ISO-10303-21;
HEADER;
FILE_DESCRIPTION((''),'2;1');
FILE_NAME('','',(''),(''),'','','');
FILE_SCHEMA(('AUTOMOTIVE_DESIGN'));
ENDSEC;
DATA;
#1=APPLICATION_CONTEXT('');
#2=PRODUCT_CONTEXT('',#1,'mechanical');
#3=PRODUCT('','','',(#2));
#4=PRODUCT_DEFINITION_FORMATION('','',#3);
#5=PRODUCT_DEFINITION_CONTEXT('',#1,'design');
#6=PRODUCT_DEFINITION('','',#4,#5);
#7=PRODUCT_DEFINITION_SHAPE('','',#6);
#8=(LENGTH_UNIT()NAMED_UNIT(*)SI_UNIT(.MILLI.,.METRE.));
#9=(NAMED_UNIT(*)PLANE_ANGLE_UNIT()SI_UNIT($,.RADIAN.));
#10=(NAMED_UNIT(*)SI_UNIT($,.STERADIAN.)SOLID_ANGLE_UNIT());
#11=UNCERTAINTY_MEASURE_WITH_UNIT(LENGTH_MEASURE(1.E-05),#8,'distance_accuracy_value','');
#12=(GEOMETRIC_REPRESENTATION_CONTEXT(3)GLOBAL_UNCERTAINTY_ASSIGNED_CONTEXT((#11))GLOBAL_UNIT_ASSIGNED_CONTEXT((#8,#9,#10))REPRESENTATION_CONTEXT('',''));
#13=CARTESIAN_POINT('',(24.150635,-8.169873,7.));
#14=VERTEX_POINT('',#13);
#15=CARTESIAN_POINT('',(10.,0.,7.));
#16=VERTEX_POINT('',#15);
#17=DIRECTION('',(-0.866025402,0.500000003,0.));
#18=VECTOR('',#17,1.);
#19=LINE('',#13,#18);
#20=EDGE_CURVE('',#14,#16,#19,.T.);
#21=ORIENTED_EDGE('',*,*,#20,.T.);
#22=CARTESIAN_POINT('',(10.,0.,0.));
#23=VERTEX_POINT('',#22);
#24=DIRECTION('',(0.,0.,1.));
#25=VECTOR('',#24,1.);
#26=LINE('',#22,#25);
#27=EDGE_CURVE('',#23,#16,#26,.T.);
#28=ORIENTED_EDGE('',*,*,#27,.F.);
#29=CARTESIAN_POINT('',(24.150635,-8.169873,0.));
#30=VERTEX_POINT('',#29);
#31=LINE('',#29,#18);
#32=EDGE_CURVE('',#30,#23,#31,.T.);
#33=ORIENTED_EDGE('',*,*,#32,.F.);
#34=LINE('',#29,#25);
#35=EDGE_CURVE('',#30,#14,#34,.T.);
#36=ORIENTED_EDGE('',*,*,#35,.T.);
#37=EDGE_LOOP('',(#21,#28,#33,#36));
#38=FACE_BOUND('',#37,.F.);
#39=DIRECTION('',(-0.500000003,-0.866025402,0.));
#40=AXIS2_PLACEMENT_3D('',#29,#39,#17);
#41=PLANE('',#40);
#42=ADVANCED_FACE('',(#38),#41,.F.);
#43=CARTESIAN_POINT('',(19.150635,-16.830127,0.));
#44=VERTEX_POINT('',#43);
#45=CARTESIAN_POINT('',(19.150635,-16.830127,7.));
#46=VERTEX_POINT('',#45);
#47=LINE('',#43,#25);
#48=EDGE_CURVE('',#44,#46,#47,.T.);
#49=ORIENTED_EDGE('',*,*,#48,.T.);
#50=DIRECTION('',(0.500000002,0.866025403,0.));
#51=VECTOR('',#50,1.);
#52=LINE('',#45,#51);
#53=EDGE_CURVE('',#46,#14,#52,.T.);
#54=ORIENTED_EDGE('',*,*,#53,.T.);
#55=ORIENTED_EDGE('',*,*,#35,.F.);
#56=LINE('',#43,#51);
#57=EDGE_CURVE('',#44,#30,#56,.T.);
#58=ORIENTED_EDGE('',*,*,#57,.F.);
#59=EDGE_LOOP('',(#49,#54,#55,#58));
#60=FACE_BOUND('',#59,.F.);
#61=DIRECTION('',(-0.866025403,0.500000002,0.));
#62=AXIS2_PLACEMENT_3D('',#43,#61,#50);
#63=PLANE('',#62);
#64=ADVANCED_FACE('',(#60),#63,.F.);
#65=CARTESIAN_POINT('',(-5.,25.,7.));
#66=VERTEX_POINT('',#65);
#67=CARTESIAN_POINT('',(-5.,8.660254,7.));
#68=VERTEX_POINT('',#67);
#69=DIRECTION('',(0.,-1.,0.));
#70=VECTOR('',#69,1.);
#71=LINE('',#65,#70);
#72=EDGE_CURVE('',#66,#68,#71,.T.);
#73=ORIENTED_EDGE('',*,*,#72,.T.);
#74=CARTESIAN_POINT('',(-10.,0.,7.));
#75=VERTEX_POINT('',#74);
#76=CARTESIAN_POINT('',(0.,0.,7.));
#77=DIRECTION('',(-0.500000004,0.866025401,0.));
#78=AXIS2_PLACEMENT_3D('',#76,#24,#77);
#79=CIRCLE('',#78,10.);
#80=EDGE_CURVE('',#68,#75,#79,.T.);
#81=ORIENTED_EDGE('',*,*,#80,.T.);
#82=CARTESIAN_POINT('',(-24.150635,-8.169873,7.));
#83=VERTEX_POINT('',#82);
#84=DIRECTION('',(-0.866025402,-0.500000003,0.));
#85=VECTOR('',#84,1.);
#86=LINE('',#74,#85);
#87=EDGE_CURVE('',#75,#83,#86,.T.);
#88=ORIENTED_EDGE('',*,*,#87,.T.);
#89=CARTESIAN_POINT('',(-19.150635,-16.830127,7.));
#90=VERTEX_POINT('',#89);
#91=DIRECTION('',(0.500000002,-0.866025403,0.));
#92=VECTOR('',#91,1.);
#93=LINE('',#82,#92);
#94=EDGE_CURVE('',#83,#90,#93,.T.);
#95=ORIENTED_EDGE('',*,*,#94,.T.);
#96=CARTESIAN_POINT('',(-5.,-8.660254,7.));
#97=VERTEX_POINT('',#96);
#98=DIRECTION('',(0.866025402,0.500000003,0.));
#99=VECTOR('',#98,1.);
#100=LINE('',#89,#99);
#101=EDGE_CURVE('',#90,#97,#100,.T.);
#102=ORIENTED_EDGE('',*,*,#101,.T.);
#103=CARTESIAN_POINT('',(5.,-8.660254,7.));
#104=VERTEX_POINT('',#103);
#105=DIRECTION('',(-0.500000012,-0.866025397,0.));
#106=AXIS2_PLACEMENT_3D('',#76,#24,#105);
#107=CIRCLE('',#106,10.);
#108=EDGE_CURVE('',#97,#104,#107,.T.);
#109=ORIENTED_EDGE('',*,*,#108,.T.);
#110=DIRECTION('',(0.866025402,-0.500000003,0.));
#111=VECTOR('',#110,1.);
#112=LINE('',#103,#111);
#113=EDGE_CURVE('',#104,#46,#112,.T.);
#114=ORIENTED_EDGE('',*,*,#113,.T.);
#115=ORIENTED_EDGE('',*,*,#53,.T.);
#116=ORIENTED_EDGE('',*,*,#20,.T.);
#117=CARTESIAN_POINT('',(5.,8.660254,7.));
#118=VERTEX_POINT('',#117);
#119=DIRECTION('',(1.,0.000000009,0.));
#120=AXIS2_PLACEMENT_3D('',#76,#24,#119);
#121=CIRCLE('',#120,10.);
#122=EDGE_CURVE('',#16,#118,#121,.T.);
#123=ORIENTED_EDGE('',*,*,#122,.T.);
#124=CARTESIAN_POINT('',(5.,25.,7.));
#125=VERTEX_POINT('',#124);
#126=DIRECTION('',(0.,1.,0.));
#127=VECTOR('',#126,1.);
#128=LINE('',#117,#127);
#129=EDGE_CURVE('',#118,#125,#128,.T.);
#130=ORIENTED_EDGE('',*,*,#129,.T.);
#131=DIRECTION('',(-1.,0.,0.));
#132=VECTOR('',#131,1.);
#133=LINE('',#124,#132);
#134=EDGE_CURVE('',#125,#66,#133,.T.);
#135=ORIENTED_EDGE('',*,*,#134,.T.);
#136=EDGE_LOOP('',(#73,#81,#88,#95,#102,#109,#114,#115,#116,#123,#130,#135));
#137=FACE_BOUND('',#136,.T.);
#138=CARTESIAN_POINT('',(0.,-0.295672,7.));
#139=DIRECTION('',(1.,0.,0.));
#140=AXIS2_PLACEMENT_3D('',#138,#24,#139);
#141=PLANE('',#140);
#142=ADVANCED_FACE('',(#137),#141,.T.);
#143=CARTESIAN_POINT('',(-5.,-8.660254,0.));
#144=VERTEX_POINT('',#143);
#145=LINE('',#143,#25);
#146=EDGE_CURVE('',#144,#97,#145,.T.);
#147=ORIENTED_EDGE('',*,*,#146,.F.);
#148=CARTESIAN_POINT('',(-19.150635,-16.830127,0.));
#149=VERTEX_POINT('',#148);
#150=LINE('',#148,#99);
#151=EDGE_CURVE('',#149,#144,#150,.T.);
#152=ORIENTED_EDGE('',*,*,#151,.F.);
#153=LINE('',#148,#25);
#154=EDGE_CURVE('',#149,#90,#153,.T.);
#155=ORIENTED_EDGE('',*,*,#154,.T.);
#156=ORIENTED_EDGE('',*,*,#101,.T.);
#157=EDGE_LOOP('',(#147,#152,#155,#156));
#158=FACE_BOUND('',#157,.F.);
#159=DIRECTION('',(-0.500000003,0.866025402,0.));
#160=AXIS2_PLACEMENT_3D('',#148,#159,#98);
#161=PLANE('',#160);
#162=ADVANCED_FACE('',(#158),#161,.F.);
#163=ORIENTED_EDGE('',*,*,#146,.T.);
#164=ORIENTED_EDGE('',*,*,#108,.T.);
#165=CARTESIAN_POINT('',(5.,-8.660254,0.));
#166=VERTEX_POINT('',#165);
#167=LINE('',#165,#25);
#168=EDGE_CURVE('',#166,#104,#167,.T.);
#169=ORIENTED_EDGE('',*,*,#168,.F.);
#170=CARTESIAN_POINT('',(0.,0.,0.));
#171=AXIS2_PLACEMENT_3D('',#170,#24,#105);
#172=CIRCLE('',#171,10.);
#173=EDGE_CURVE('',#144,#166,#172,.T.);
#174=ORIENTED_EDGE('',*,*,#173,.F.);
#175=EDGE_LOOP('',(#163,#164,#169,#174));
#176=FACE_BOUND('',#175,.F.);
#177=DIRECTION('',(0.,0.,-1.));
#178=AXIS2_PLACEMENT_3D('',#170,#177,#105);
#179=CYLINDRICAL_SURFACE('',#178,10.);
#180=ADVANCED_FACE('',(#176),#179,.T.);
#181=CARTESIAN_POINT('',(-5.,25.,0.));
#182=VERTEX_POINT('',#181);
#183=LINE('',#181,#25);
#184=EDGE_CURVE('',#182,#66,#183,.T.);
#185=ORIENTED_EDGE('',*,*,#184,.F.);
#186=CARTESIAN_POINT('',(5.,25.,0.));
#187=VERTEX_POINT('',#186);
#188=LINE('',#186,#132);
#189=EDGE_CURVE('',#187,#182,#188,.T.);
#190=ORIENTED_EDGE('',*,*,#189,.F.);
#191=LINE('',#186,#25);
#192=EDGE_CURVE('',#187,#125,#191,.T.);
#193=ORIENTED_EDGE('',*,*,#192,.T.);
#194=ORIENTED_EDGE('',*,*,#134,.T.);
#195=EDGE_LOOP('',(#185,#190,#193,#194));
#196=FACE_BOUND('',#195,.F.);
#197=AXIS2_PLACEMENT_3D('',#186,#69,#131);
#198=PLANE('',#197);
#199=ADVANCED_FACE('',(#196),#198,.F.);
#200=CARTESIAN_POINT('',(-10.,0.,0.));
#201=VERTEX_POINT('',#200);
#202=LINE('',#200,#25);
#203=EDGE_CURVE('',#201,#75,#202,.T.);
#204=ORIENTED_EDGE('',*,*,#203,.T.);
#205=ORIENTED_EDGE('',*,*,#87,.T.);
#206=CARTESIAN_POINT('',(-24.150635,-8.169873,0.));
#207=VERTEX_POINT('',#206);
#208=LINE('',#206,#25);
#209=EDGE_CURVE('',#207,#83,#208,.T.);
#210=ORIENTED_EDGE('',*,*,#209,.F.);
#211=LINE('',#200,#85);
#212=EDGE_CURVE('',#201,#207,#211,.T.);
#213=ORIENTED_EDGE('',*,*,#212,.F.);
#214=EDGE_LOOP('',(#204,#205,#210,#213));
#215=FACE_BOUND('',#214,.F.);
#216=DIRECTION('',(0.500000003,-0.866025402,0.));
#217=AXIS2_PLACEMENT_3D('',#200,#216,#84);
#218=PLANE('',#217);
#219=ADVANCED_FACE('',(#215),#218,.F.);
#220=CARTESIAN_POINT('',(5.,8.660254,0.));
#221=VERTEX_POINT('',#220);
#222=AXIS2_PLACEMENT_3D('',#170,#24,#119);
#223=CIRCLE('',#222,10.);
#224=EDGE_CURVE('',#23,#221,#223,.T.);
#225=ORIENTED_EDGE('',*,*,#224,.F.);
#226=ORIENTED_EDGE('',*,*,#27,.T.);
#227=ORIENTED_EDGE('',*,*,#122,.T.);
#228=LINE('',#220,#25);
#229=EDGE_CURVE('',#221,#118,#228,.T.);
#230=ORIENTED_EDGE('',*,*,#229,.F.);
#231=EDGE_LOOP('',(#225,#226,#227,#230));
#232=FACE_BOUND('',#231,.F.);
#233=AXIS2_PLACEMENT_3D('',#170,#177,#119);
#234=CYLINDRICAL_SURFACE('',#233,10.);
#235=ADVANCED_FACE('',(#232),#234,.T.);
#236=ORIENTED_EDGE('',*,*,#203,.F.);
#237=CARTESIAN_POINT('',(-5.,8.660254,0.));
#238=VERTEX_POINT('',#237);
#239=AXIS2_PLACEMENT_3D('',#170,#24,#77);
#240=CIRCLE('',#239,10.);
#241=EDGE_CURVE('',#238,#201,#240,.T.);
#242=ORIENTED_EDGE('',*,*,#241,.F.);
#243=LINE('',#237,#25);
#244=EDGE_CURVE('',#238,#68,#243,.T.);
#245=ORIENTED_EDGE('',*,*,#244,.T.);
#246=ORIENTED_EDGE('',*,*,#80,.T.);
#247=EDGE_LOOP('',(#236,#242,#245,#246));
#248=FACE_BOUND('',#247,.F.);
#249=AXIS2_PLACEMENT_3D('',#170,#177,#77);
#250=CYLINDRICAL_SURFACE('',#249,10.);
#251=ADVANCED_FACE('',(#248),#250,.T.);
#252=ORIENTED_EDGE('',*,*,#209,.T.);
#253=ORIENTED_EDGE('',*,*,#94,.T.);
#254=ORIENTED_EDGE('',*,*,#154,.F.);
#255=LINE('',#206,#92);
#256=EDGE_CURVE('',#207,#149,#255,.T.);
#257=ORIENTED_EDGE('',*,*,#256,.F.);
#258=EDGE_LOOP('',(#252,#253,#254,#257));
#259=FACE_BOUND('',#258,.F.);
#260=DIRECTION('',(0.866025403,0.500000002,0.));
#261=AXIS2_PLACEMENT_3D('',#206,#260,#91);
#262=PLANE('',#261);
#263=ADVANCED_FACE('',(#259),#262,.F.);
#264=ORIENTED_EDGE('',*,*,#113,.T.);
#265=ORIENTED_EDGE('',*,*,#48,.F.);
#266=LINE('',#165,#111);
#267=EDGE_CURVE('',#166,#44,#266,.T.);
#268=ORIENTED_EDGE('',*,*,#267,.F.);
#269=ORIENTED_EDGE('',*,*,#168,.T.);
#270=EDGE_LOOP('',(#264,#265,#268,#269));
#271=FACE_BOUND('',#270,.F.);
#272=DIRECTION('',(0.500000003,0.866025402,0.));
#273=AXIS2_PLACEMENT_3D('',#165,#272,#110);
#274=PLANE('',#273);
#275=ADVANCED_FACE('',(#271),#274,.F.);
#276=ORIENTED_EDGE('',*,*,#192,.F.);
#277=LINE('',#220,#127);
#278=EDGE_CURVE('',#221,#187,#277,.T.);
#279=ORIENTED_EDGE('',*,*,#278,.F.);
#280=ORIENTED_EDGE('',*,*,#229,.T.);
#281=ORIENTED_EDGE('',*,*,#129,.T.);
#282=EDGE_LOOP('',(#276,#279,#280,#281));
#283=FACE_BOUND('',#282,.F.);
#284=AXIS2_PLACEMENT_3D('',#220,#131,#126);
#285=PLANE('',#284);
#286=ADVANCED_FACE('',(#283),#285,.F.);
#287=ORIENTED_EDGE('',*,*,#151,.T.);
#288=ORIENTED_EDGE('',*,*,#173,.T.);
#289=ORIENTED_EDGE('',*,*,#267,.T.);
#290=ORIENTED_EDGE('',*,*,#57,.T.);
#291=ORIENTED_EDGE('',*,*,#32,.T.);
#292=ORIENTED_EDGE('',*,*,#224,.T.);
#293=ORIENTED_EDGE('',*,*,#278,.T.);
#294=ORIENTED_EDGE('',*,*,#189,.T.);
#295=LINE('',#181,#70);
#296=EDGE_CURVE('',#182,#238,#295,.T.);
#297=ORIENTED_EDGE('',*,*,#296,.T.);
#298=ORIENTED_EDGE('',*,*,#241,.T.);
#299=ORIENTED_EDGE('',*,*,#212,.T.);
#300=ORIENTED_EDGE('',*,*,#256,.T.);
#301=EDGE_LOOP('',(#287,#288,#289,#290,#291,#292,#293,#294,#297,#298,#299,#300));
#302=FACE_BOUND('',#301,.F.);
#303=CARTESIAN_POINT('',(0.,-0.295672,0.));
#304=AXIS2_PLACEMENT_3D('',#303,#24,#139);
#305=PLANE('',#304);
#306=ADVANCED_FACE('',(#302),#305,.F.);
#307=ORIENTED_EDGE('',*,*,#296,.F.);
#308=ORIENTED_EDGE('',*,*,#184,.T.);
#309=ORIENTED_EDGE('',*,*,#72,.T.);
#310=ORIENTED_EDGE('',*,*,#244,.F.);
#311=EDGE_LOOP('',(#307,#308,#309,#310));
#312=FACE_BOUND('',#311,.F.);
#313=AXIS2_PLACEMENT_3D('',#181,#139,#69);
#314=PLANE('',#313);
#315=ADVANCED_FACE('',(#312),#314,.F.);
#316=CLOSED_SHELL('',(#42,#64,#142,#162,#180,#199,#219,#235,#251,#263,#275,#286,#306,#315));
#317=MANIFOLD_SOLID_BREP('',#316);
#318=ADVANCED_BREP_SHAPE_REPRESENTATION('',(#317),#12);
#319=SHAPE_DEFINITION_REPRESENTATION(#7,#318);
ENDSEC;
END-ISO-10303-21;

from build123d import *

# Parameters (mm, degrees)
F2_DEPTH = 7


with BuildPart() as f2:
    # F1 (on Top) → F2 (new body)
    with BuildSketch(Plane.XY):
        with BuildLine():
            Line((0, 0), (-5, 0))
            Line((-5, 0), (-5, 5))
            Line((-5, 5), (-5, 8.660254))
            ThreePointArc((-5, 8.660254), (-8.660254, 5), (-10, 0))
            ThreePointArc((-10, 0), (-8.660254, -5), (-5, -8.660254))
            ThreePointArc((-5, -8.660254), (0, -10), (5, -8.660254))
            ThreePointArc((5, -8.660254), (8.660254, -5), (10, 0))
            ThreePointArc((10, 0), (8.660254, 5), (5, 8.660254))
            Line((5, 8.660254), (5, 5))
            Line((5, 5), (5, 0))
            Line((5, 0), (0, 0))
        make_face()
        with BuildLine():
            Line((24.150635, -8.169873), (10, 0))
            ThreePointArc((10, 0), (8.660254, -5), (5, -8.660254))
            Line((5, -8.660254), (19.150635, -16.830127))
            Line((19.150635, -16.830127), (24.150635, -8.169873))
        make_face()
        Polygon((5, 5), (0, 0), (5, 0), align=None)
        Polygon((-5, 5), (-5, 0), (0, 0), align=None)
        with BuildLine():
            Line((-5, 5), (0, 0))
            Line((0, 0), (5, 5))
            Line((5, 5), (5, 8.660254))
            ThreePointArc((5, 8.660254), (0, 10), (-5, 8.660254))
            Line((-5, 8.660254), (-5, 5))
        make_face()
        with BuildLine():
            Line((-5, 25), (-5, 8.660254))
            ThreePointArc((-5, 8.660254), (0, 10), (5, 8.660254))
            Line((5, 8.660254), (5, 25))
            Line((5, 25), (-5, 25))
        make_face()
        with BuildLine():
            ThreePointArc((-5, -8.660254), (-8.660254, -5), (-10, 0))
            Line((-10, 0), (-24.150635, -8.169873))
            Line((-24.150635, -8.169873), (-19.150635, -16.830127))
            Line((-19.150635, -16.830127), (-5, -8.660254))
        make_face()
    extrude(amount=F2_DEPTH)


solid = f2.part
